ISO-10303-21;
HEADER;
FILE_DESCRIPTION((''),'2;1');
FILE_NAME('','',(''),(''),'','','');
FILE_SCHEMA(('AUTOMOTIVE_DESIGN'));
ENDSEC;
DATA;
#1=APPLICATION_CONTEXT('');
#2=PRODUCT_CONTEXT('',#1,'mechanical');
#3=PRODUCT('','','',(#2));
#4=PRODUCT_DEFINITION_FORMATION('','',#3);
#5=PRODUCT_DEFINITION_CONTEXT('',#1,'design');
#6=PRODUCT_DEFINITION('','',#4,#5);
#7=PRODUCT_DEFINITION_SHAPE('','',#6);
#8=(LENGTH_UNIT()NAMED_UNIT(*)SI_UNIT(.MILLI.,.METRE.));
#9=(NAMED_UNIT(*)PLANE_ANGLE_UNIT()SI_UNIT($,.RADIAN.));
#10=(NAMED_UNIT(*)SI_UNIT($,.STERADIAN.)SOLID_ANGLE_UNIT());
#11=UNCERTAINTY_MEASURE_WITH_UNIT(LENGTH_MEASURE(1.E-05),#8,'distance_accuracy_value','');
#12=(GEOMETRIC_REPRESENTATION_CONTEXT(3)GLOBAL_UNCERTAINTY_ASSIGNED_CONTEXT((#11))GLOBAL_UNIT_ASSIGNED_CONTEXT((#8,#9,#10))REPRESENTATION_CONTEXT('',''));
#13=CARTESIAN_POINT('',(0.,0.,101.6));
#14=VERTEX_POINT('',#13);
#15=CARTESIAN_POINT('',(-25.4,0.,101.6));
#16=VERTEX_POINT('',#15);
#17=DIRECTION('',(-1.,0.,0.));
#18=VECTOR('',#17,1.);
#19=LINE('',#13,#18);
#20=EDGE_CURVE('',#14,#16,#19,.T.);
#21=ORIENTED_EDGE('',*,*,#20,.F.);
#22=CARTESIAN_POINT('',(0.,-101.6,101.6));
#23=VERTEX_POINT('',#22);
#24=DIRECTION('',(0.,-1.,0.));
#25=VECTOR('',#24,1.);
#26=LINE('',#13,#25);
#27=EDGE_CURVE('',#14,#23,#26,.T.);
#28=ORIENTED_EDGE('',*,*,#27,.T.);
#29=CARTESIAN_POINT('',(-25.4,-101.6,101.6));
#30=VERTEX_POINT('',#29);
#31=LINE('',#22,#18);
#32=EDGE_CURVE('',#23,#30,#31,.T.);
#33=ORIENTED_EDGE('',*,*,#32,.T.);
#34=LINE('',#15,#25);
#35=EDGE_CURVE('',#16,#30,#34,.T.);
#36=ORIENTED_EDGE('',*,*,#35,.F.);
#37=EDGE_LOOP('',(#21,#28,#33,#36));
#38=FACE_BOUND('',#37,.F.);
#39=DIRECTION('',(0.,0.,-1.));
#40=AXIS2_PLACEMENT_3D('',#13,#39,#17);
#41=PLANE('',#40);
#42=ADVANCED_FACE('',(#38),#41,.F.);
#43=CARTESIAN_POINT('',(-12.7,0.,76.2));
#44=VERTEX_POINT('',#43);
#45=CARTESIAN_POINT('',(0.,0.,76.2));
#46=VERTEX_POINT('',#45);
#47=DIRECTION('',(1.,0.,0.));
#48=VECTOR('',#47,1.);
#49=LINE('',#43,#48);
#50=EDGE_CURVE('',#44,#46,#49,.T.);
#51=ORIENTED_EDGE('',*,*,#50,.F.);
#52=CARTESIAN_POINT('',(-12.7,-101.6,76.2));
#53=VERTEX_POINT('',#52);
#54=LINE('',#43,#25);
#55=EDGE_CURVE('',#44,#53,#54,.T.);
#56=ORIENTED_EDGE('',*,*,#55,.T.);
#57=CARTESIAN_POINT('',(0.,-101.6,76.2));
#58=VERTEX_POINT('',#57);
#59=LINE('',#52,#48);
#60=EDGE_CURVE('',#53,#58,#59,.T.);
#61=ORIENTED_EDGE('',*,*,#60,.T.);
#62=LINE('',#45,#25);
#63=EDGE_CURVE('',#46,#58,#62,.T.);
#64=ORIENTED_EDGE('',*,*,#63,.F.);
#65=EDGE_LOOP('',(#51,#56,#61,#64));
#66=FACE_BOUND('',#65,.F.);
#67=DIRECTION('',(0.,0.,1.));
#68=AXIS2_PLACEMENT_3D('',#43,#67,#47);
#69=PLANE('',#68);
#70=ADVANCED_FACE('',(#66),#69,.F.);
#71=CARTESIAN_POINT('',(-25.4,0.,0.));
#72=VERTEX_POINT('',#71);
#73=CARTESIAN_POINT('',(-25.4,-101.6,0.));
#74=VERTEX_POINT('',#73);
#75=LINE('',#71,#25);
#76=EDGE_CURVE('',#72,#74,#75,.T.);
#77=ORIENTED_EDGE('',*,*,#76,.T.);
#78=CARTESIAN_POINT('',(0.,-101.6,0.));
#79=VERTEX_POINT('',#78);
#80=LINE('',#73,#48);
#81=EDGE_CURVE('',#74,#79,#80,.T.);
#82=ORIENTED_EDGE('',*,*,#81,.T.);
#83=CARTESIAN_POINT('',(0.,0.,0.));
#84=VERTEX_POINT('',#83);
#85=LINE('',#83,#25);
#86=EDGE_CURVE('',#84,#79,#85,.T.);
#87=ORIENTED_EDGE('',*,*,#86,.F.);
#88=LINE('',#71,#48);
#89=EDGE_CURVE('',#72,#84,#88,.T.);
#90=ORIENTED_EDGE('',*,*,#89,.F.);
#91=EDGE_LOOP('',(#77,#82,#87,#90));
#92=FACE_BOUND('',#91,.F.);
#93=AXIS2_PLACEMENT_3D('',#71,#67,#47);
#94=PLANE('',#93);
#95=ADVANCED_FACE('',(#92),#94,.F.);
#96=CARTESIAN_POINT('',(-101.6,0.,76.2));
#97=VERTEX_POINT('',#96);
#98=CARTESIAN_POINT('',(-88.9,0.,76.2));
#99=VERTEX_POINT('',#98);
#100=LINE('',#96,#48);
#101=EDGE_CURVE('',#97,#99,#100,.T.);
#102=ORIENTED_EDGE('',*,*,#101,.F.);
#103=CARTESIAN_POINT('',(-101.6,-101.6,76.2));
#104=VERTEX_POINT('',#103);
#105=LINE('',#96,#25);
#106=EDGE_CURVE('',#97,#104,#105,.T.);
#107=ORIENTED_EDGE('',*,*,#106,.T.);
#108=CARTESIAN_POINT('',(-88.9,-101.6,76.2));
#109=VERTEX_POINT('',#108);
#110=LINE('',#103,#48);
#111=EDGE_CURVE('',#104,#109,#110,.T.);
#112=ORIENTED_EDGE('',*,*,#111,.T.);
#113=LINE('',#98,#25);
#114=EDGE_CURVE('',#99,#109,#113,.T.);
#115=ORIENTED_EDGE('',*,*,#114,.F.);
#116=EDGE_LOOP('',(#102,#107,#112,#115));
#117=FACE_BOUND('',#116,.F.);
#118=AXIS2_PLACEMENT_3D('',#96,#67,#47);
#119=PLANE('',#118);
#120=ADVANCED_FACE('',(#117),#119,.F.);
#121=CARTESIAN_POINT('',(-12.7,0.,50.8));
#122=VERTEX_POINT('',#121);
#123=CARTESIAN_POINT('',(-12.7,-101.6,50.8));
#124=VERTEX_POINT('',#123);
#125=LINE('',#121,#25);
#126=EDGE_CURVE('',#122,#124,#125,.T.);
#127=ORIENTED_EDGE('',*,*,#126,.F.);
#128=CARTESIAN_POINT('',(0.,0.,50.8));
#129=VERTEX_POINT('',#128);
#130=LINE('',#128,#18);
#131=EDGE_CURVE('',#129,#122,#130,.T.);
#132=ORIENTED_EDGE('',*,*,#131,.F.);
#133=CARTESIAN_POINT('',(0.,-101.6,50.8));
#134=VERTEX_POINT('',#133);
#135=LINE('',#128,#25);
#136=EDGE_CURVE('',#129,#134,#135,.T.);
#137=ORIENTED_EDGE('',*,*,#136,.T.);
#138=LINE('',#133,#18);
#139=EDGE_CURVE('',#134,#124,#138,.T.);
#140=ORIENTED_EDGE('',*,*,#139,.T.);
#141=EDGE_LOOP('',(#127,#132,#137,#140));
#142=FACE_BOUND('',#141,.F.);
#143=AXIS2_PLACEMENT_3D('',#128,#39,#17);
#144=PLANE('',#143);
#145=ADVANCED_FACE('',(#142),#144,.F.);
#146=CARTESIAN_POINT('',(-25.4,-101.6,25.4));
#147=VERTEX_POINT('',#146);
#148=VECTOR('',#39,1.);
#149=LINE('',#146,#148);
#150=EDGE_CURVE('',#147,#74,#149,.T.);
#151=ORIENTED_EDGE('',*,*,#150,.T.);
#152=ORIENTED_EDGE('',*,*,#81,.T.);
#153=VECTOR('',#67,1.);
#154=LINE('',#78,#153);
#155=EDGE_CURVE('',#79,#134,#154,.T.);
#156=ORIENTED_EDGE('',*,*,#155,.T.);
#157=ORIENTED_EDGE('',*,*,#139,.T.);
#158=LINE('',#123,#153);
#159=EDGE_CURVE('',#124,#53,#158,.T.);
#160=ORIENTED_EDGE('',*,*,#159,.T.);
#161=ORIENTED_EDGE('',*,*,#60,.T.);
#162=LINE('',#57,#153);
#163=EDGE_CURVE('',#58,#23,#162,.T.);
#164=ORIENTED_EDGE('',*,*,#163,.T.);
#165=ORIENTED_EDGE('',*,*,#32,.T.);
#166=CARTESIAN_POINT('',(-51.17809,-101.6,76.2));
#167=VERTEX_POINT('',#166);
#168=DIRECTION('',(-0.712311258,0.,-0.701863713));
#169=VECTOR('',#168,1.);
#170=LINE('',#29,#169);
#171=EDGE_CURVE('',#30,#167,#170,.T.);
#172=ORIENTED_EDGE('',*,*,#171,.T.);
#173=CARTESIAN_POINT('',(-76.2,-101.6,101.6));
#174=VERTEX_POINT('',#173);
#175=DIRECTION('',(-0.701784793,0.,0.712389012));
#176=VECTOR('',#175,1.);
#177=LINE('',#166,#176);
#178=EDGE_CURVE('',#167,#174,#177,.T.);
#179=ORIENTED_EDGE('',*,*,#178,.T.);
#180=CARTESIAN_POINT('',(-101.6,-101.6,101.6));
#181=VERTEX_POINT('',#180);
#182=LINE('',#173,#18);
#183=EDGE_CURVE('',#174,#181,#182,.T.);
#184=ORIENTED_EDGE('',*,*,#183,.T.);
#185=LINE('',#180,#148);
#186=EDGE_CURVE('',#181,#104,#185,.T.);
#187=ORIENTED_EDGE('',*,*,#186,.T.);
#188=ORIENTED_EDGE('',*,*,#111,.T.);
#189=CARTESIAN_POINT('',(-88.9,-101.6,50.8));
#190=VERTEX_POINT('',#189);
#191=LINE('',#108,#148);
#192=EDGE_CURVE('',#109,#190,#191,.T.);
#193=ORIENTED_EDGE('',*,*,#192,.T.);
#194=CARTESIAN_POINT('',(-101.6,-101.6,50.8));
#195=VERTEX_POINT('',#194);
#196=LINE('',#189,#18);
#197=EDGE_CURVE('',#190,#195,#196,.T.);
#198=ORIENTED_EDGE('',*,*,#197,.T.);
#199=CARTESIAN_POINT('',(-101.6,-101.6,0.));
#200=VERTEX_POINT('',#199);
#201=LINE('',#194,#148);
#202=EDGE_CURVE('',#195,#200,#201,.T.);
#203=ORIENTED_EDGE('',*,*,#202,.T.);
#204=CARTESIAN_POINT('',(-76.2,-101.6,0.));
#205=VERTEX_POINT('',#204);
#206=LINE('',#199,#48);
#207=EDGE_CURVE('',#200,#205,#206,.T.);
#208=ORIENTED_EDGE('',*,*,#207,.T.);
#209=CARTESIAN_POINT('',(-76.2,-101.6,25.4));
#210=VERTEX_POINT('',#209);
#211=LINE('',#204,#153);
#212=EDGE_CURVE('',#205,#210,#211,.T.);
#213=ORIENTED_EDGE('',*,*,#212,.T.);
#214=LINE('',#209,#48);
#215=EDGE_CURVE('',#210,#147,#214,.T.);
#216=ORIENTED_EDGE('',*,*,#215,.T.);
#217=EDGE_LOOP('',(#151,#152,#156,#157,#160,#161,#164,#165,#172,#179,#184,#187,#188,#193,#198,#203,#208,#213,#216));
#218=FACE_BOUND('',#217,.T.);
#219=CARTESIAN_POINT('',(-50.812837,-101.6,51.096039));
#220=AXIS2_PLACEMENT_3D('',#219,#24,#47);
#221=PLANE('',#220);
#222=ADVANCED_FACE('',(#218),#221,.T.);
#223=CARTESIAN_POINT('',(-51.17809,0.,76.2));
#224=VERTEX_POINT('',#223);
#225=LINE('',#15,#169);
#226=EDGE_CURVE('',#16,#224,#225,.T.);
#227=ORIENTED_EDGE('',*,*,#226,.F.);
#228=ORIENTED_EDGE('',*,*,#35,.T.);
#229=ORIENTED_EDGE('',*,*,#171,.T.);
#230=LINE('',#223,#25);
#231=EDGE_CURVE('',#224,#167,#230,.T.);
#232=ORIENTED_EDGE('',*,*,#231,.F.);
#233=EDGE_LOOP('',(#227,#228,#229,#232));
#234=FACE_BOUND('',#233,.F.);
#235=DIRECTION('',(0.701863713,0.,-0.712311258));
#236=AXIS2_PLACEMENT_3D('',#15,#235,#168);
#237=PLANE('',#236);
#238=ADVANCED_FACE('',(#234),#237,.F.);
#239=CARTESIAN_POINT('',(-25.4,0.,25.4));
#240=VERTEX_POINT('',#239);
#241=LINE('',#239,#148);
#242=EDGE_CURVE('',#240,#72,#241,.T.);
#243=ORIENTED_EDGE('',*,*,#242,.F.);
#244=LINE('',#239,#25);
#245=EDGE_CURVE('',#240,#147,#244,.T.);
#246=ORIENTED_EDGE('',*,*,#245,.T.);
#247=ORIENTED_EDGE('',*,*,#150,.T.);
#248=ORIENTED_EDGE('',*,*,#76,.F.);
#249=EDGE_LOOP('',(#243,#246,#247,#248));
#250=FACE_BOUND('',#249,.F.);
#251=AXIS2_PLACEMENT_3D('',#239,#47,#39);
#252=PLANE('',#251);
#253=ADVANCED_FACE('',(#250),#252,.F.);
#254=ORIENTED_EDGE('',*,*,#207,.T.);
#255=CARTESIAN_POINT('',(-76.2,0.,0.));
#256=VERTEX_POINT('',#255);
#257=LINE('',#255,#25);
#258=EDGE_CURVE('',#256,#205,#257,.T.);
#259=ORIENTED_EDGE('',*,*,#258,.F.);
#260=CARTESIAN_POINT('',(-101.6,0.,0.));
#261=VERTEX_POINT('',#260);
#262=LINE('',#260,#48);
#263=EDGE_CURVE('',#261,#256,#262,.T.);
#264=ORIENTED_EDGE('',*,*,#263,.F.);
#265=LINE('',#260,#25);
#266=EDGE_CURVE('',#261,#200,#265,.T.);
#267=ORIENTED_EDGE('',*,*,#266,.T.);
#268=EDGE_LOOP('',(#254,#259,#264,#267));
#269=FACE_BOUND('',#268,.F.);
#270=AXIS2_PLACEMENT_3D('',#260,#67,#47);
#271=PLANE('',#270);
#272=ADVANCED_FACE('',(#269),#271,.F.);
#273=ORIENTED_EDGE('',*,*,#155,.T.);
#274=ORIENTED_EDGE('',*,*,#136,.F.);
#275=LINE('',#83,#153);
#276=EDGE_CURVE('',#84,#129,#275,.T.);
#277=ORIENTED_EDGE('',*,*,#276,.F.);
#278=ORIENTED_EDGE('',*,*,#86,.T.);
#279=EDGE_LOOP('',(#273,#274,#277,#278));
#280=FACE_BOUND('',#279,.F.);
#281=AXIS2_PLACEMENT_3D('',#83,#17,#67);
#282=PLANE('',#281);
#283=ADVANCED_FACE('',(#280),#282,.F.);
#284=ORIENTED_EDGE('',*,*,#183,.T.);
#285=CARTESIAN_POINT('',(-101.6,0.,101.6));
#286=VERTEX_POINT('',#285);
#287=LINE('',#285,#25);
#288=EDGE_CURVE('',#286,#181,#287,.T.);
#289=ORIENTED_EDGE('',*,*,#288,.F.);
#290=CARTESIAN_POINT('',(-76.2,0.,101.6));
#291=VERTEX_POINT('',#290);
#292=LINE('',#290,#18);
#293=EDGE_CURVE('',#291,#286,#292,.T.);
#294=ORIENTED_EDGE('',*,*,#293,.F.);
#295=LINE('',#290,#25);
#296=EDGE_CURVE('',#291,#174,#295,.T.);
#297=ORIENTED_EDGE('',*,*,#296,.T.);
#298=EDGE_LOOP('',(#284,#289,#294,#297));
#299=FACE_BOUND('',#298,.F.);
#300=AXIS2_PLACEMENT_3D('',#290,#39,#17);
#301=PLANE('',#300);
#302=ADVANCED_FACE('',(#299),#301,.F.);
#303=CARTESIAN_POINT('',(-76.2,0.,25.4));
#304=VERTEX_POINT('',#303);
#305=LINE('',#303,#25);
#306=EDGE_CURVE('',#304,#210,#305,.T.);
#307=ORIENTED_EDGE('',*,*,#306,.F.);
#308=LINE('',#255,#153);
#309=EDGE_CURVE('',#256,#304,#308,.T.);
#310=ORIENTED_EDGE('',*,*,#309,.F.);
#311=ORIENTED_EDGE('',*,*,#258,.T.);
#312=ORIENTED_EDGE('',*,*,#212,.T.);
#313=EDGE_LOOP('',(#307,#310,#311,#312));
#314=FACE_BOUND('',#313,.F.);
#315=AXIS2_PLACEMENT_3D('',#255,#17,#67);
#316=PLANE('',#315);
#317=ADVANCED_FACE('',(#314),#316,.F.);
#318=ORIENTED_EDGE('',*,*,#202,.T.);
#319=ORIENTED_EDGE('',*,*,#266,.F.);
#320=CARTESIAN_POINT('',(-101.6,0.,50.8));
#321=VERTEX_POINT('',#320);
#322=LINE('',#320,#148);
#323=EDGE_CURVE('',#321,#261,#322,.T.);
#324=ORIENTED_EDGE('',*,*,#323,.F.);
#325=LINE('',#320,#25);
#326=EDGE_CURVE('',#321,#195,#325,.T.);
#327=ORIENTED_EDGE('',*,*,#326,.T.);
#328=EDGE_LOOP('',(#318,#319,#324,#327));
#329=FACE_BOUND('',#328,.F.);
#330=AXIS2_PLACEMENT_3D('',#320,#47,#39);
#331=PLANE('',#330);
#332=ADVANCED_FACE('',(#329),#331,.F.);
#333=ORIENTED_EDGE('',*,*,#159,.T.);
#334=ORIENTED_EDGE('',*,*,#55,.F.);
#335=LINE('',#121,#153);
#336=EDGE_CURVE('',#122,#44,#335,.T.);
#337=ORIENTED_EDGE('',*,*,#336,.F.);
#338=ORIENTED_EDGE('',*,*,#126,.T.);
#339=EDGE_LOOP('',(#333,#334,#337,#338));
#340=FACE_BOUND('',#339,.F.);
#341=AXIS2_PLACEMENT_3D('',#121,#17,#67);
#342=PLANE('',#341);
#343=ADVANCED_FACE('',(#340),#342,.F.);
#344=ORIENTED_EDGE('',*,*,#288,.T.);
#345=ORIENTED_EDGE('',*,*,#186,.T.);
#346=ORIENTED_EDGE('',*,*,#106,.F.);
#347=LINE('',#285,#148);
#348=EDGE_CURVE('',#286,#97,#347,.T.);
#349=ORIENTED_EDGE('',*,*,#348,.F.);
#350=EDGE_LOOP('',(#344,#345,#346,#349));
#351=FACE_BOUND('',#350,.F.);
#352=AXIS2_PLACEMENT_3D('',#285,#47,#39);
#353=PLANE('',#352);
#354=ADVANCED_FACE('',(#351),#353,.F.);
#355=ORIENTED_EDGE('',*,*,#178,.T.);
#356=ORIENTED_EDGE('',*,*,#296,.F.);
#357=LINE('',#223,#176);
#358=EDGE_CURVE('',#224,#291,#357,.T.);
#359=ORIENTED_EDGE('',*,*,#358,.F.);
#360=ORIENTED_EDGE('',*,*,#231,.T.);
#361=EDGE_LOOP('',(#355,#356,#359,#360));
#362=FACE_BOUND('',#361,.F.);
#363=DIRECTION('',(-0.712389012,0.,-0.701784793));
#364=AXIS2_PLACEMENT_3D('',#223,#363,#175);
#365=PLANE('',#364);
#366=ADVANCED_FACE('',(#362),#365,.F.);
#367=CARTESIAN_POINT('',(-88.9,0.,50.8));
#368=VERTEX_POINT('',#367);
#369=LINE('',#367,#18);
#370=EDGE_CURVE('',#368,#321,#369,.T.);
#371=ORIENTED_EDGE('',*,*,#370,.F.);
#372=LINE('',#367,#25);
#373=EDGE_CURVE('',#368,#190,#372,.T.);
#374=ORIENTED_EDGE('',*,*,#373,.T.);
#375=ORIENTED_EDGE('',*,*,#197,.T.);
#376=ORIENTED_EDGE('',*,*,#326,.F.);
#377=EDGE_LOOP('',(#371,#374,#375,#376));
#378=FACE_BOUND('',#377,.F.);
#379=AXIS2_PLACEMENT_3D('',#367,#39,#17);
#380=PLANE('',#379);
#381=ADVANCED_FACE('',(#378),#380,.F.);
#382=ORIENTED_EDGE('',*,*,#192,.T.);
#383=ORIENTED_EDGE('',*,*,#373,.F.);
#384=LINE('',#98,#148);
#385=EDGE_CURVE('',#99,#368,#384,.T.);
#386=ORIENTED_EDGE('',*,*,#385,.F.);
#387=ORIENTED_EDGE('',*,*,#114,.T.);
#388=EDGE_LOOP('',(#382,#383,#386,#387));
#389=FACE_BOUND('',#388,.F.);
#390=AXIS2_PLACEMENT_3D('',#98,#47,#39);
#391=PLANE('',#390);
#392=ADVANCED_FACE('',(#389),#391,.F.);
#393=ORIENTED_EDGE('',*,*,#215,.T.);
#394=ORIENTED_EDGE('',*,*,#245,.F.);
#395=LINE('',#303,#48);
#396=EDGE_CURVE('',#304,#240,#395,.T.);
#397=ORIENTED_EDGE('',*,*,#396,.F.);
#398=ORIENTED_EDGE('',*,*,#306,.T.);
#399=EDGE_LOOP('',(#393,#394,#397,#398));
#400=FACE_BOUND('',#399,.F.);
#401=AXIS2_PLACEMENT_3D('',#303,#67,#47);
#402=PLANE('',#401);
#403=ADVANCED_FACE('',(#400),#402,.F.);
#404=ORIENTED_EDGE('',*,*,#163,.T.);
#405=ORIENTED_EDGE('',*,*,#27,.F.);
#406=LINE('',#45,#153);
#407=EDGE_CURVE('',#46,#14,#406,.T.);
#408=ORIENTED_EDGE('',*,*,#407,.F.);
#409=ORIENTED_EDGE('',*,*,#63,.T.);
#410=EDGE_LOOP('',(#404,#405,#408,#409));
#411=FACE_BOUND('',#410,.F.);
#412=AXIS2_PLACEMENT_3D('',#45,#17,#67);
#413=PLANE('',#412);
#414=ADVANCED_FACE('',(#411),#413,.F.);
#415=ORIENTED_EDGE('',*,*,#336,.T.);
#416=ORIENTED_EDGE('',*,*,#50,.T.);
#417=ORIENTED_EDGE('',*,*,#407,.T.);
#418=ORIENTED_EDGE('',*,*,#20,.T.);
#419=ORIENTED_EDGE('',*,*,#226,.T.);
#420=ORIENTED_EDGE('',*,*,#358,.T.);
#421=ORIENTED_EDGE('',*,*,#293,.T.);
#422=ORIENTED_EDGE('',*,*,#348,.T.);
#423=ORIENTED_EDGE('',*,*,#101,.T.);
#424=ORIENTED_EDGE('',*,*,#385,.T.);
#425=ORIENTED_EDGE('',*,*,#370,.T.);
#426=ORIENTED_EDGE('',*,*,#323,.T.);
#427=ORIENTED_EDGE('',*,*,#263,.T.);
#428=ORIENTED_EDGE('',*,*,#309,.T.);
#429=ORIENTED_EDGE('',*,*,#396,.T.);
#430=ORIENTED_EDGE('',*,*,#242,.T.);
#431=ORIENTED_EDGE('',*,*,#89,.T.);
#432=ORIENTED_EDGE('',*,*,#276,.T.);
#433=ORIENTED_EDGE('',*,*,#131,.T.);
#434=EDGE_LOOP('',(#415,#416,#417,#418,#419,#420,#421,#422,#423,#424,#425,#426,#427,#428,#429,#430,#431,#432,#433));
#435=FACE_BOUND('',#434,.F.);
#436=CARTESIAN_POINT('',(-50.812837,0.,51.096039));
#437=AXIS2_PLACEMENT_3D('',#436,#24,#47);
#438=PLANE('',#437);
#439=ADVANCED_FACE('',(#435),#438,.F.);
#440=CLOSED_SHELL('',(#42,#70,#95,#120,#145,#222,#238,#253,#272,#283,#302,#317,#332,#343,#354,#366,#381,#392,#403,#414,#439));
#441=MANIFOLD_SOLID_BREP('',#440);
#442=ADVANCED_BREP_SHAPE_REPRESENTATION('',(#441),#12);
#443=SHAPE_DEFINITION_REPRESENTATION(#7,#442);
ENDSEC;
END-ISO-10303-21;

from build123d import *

# Parameters (mm, degrees)
F1_DEPTH = 101.6


with BuildPart() as f1:
    # F0 (on Front) → F1 (new body)
    with BuildSketch(Plane.XZ):
        Polygon((-25.4, 0), (0, 0), (0, 50.8), (-12.7, 50.8), (-12.7, 76.2), (0, 76.2), (0, 101.6), (-25.4, 101.6), (-51.17809, 76.2), (-76.2, 101.6), (-101.6, 101.6), (-101.6, 76.2), (-88.9, 76.2), (-88.9, 50.8), (-101.6, 50.8), (-101.6, 0), (-76.2, 0), (-76.2, 25.4), (-25.4, 25.4), align=None)
    extrude(amount=F1_DEPTH)


solid = f1.part
